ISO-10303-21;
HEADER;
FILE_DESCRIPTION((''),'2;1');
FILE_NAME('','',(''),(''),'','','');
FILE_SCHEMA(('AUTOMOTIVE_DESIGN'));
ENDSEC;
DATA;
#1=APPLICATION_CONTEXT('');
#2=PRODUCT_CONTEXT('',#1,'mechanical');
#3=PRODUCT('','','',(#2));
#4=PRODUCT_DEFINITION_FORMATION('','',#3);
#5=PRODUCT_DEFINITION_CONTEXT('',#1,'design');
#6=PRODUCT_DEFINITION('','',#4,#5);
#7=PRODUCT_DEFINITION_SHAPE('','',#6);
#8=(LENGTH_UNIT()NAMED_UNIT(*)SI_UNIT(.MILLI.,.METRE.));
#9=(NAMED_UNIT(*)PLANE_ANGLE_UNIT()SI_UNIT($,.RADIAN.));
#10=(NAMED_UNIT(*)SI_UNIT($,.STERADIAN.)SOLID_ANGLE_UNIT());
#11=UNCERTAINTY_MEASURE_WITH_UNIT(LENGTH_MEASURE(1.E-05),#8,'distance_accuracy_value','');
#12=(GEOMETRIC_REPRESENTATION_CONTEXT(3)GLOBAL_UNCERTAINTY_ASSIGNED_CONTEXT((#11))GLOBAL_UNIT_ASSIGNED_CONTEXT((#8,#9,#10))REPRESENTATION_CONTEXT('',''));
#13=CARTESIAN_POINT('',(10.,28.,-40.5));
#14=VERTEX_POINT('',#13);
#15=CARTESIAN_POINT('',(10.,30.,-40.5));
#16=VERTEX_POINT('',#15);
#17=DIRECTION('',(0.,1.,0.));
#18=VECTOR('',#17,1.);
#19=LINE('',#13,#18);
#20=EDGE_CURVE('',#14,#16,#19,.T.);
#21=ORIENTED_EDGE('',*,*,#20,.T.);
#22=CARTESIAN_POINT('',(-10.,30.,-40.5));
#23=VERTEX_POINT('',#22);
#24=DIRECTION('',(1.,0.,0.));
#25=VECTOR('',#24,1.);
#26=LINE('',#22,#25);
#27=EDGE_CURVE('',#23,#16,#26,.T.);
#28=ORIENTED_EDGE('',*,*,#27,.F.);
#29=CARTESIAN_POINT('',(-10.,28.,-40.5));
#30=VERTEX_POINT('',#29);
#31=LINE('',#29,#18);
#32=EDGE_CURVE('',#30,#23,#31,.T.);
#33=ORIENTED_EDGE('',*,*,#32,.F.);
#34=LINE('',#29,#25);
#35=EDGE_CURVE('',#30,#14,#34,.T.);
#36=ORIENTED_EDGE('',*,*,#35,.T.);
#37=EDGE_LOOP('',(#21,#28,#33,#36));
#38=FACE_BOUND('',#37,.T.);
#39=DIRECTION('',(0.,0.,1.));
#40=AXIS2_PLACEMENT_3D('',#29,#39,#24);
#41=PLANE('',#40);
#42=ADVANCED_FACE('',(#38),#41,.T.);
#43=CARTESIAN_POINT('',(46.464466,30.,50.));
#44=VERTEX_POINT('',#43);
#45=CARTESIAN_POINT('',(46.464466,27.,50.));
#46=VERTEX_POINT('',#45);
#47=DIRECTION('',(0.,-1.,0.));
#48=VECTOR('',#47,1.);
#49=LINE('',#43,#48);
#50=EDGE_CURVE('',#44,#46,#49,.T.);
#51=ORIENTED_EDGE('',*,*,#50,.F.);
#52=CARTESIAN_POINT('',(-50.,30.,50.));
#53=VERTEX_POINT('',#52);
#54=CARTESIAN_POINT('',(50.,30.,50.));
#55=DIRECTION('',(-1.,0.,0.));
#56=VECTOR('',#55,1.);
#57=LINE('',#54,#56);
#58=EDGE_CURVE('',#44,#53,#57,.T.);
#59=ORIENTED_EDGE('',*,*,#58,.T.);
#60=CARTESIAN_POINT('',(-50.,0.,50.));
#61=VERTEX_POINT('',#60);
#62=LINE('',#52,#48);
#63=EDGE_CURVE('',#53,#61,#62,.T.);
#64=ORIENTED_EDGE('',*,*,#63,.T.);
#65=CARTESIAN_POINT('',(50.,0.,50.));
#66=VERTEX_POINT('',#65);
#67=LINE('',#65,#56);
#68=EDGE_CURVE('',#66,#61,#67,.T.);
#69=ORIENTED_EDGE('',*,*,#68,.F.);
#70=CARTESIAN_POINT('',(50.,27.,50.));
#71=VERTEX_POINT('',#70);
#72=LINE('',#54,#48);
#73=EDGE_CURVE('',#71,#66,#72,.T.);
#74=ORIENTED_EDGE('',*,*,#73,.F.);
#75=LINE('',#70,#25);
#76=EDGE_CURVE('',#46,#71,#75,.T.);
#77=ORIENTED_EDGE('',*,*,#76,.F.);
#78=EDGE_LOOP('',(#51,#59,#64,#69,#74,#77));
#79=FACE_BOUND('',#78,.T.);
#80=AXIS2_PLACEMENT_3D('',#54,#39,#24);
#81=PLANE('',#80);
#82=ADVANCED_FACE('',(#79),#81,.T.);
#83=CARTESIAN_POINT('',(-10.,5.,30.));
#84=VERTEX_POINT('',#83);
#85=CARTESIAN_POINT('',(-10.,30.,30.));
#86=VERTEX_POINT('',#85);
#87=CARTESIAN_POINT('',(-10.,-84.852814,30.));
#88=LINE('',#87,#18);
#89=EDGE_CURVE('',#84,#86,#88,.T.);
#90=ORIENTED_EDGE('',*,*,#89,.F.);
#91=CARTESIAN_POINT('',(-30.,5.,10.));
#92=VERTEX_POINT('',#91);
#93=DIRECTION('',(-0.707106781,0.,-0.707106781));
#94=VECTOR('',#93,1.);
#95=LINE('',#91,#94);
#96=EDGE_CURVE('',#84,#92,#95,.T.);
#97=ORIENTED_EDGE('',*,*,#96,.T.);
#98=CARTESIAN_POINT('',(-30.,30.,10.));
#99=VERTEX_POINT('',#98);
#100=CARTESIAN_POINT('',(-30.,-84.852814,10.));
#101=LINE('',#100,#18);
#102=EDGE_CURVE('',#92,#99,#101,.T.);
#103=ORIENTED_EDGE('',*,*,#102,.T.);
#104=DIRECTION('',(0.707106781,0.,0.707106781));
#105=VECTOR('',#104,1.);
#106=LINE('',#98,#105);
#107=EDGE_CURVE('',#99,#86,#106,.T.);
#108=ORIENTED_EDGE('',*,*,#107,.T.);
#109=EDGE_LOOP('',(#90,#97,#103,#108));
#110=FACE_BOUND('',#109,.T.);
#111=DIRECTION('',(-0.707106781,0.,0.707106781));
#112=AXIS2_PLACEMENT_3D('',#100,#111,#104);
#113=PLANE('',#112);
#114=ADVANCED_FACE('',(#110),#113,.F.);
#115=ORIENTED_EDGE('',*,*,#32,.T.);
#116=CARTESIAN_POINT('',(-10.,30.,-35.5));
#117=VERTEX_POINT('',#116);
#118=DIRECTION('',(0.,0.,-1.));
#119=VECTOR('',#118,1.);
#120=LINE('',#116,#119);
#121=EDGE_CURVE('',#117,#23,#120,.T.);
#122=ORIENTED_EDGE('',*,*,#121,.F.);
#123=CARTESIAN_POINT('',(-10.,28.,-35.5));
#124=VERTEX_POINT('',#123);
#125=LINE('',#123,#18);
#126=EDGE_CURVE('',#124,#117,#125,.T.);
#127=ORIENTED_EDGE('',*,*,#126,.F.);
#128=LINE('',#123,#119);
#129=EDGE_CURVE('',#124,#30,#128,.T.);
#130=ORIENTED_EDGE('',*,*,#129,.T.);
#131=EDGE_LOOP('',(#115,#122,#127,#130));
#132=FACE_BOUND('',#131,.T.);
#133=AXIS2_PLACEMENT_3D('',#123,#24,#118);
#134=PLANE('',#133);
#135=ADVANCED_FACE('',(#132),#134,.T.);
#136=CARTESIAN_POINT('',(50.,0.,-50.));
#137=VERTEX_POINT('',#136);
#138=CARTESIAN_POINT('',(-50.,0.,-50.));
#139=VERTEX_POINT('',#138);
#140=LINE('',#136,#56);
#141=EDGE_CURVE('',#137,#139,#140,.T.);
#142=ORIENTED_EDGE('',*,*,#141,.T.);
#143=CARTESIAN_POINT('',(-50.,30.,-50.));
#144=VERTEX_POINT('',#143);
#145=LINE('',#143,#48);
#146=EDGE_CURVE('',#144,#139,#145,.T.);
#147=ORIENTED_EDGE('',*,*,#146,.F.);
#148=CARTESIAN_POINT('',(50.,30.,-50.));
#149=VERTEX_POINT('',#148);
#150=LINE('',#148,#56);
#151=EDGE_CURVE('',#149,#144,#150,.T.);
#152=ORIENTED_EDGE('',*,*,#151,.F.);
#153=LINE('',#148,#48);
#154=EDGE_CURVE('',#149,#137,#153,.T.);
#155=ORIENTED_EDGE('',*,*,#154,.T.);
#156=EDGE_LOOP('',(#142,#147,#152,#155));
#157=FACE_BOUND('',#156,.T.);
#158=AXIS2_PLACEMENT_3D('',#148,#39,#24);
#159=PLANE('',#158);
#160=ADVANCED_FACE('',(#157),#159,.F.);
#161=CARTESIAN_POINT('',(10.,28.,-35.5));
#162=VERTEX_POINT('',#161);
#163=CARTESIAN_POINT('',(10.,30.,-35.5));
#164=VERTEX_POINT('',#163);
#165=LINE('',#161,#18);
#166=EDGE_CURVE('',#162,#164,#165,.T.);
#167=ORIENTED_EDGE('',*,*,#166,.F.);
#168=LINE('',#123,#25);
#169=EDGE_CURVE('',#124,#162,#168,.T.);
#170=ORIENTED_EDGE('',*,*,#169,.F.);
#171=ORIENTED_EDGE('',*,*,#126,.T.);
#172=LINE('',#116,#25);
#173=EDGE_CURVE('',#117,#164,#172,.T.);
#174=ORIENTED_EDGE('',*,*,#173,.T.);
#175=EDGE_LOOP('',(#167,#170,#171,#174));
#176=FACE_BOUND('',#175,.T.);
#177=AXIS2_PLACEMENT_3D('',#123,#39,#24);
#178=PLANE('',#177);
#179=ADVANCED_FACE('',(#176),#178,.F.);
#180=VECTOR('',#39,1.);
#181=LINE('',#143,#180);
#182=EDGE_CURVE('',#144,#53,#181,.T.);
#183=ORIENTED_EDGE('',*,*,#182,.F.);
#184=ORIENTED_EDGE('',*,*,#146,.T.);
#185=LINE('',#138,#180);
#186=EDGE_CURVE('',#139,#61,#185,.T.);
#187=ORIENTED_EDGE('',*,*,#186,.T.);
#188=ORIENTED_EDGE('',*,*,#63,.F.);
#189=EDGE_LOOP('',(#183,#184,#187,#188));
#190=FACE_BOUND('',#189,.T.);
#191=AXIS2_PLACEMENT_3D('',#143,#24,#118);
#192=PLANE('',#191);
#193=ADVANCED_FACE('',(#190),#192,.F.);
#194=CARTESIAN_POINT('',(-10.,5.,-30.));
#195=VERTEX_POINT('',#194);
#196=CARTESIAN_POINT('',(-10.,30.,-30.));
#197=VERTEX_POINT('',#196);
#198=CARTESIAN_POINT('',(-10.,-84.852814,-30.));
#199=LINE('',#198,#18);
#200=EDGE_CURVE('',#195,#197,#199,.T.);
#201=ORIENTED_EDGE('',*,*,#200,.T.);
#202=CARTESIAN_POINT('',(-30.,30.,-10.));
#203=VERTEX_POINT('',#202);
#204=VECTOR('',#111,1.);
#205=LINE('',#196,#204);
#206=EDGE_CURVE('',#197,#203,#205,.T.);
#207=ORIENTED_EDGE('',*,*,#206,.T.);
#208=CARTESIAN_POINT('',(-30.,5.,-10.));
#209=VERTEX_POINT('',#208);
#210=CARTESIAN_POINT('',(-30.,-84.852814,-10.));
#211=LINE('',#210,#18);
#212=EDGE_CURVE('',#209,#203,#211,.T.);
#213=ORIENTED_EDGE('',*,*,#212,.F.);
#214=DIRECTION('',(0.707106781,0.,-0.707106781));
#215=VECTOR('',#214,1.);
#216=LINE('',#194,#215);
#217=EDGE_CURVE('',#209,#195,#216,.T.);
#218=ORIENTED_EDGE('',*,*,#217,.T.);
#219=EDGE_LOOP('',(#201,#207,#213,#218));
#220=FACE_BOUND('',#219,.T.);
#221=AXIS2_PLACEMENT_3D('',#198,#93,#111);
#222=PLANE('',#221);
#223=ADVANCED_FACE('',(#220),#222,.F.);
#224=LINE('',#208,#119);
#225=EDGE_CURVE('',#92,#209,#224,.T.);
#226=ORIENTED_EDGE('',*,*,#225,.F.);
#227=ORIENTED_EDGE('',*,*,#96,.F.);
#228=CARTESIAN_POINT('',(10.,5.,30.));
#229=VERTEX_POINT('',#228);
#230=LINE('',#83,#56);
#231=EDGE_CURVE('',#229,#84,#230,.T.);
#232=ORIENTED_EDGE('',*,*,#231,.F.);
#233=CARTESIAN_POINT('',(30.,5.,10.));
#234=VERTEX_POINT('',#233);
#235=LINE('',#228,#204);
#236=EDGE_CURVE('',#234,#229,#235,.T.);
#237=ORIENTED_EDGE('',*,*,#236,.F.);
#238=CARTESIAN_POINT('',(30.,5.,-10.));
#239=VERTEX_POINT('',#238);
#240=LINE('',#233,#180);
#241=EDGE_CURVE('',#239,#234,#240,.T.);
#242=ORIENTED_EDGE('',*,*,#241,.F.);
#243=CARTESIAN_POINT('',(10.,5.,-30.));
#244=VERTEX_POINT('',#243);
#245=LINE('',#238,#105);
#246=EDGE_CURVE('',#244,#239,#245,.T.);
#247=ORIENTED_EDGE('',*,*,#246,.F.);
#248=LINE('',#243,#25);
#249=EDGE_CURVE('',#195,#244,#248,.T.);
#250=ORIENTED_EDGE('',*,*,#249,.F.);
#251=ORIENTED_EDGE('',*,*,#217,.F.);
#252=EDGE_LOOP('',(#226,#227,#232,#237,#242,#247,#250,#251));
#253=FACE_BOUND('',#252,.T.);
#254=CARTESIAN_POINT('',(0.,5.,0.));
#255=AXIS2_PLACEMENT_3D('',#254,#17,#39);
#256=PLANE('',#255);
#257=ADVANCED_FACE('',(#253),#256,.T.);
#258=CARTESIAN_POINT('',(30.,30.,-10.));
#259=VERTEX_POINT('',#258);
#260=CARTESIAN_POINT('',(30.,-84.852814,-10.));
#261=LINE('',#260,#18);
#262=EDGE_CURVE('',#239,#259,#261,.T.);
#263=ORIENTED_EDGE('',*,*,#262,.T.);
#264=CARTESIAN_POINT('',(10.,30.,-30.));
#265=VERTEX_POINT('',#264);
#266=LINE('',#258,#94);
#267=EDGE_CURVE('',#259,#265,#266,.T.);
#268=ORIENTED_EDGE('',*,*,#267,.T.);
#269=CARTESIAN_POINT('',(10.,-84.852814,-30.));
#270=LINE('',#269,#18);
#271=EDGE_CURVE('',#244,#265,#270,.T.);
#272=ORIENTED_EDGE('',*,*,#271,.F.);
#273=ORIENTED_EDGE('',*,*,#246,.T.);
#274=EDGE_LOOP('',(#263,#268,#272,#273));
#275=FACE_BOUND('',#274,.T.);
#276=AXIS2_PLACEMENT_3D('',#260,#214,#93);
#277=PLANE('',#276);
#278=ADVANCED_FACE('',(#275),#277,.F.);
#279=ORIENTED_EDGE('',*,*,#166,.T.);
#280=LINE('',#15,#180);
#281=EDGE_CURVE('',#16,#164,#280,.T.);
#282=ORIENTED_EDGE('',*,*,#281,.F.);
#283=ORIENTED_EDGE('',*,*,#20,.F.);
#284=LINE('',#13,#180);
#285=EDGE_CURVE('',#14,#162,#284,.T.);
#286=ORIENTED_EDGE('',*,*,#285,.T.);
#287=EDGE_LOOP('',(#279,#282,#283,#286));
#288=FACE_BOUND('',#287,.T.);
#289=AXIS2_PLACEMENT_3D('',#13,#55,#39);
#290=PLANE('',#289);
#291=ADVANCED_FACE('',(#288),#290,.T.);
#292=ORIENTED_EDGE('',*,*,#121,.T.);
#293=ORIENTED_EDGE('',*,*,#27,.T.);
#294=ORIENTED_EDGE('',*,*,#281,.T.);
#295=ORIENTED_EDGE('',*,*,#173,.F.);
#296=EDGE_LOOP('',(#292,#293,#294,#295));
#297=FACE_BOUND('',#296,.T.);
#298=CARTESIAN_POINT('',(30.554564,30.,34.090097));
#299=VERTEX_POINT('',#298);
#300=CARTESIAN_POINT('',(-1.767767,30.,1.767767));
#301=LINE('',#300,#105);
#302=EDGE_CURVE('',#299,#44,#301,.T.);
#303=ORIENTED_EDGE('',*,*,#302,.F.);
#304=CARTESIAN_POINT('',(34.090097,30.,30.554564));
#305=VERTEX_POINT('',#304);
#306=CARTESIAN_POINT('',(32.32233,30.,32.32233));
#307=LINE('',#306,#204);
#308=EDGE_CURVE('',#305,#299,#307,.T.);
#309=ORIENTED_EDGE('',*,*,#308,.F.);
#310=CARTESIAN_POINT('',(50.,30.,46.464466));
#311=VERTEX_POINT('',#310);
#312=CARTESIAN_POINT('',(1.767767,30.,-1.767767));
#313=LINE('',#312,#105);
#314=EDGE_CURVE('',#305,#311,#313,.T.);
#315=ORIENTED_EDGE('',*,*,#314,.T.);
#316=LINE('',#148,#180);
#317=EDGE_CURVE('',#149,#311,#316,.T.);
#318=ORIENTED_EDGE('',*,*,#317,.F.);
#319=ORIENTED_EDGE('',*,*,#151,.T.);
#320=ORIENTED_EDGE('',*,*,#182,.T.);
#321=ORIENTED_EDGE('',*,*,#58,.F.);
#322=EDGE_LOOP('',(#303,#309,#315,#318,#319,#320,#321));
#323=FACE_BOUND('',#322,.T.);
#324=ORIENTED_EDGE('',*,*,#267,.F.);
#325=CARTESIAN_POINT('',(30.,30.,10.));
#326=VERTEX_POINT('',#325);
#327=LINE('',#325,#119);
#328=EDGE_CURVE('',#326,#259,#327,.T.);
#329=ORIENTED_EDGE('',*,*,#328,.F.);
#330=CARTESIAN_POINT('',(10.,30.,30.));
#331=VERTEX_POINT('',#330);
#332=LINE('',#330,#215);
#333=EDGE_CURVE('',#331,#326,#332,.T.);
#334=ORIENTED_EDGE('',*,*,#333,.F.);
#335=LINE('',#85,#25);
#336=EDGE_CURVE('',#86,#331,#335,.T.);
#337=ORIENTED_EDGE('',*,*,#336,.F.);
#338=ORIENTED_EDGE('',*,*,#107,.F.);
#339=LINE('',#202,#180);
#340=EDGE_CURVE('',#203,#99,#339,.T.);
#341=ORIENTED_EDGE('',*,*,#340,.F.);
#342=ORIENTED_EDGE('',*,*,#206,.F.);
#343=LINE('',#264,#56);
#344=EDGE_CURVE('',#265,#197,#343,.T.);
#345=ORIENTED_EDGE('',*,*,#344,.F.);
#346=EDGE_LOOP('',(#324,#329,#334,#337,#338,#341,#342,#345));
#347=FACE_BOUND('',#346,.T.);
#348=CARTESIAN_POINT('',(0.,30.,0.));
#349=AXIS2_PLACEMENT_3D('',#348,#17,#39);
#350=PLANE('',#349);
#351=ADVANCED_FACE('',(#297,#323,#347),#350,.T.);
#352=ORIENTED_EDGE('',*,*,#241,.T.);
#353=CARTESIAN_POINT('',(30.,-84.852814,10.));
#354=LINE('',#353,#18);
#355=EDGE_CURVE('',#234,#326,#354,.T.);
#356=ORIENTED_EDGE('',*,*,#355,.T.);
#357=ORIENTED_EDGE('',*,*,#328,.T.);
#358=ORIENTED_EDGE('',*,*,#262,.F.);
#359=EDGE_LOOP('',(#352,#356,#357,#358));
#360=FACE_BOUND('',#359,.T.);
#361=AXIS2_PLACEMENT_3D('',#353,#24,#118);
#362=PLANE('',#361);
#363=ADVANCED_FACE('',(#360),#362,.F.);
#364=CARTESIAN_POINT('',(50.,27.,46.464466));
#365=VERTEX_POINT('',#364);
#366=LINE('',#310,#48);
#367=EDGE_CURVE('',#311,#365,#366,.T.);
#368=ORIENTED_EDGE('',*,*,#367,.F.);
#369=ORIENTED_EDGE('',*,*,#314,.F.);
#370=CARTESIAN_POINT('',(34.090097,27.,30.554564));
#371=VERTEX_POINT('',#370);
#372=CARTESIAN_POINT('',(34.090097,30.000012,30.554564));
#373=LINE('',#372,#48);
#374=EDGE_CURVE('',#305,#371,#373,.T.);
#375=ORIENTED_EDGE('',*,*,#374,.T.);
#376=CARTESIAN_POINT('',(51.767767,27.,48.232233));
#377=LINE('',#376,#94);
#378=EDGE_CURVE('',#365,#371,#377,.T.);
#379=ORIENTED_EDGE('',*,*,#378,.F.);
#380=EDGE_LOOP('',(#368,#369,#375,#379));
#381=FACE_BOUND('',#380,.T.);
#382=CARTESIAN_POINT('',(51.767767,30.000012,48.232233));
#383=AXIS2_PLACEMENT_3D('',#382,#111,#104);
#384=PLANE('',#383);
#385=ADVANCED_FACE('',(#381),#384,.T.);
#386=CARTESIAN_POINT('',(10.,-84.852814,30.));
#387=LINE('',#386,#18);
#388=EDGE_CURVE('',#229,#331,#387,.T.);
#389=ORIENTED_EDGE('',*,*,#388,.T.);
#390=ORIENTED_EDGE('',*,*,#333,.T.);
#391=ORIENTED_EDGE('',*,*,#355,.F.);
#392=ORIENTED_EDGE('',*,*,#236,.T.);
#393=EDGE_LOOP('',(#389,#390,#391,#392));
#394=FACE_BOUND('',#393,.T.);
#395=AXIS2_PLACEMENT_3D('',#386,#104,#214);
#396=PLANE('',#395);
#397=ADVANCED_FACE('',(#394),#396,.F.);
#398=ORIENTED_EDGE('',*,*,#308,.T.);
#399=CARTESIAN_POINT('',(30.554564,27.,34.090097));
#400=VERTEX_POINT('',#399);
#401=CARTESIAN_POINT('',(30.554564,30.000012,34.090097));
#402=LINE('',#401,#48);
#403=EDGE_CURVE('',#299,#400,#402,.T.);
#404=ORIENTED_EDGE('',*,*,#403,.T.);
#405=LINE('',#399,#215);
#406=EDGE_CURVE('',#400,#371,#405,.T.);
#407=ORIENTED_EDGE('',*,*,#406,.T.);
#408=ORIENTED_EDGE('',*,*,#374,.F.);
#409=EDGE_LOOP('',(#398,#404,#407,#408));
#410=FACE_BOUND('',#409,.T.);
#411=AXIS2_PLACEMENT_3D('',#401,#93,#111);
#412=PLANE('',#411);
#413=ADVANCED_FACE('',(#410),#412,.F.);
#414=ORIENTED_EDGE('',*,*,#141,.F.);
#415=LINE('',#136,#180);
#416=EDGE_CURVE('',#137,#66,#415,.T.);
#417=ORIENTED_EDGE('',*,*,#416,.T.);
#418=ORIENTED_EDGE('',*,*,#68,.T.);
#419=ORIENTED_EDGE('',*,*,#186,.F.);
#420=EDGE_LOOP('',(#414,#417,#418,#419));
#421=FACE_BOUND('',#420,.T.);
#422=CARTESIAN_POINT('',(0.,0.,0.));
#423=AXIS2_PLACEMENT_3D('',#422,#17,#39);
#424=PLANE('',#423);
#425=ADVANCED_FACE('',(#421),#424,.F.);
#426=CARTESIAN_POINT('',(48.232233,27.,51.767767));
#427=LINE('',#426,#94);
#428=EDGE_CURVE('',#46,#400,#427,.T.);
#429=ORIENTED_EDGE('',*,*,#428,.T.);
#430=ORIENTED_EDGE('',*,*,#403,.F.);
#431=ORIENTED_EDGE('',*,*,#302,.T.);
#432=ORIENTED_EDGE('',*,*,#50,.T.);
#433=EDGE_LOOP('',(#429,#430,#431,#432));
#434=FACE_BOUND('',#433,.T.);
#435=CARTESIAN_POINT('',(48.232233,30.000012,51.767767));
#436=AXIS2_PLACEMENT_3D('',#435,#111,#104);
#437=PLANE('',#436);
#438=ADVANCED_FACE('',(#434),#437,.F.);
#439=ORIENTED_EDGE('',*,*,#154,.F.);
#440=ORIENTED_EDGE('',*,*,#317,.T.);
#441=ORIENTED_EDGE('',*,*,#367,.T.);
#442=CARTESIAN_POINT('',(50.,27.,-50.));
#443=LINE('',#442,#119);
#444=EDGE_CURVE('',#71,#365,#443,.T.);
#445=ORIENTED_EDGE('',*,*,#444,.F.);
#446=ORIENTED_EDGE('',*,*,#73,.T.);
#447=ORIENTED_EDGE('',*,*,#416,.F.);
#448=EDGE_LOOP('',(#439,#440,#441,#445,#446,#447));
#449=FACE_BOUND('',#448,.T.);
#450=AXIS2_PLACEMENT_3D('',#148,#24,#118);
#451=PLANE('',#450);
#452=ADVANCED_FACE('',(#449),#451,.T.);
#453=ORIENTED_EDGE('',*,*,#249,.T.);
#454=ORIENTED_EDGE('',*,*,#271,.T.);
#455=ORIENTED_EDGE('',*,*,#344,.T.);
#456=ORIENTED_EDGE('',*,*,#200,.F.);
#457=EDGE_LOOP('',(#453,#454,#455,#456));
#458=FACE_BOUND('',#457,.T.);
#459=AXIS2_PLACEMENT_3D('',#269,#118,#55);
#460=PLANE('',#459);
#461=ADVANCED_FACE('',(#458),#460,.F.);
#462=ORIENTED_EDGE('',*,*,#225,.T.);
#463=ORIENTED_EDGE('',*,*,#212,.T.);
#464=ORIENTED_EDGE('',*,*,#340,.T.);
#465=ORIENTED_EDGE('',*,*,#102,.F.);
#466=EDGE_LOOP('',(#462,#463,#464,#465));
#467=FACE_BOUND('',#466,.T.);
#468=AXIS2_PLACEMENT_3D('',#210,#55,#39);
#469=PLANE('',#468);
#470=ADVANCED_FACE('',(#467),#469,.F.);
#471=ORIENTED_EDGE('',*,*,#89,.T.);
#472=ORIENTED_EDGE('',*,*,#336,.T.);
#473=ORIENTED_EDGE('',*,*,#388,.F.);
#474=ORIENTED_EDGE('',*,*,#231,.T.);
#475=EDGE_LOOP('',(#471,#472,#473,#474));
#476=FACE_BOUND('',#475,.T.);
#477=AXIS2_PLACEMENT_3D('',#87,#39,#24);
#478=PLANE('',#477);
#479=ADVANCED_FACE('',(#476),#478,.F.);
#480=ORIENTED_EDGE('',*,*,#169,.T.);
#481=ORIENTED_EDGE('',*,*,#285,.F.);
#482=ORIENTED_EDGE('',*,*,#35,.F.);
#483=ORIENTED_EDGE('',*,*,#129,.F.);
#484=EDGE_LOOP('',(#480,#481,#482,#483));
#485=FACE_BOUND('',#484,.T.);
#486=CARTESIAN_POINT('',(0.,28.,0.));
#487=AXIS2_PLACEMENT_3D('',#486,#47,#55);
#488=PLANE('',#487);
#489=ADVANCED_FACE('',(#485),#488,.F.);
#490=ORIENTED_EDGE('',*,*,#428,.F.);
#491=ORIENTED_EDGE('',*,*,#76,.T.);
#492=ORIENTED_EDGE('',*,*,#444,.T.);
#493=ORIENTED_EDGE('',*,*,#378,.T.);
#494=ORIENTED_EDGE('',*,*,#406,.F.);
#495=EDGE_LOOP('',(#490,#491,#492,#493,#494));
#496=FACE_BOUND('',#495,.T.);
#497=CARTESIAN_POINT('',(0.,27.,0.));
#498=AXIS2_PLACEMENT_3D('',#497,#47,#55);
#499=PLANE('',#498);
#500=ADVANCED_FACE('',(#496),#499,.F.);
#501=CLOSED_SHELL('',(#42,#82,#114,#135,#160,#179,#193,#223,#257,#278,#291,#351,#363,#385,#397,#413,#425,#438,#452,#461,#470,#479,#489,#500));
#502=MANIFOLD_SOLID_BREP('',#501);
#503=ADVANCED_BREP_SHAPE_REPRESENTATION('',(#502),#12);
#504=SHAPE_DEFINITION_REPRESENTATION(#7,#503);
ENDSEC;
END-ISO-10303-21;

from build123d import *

# Parameters (mm, degrees)
SKETCH1_W                    = 100
SKETCH1_H                    = 100
BOSS_EXTRUDE1_DEPTH          = 30
CUT_EXTRUDE1_DEPTH           = 25
SKETCH3_W                    = 20
SKETCH3_H                    = 5
CUT_EXTRUDE_THIN1_DEPTH      = 2
CUT_EXTRUDE_THIN2_DEPTH      = 1
CUT_EXTRUDE_THIN2_DEPTH_BACK = 3


with BuildPart() as part:
    # Sketch1 → Boss-Extrude1 (new body)
    with BuildSketch(Plane(origin=(0, 0, 0), x_dir=(1, 0, 0), z_dir=(0, 1, 0))):
        Rectangle(SKETCH1_W, SKETCH1_H)
    extrude(amount=BOSS_EXTRUDE1_DEPTH)

    # Sketch2 → Cut-Extrude1 (cut)
    with BuildSketch(Plane(origin=(0, 30, 0), x_dir=(1, 0, 0), z_dir=(0, 1, 0))):
        Polygon((30, 10), (10, 30), (-10, 30), (-30, 10), (-30, -10), (-10, -30), (10, -30), (30, -10), align=None)
    extrude(amount=-CUT_EXTRUDE1_DEPTH, mode=Mode.SUBTRACT)

    # Sketch3 → Cut-Extrude-Thin1 (cut)
    with BuildSketch(Plane(origin=(0, 30, 0), x_dir=(1, 0, 0), z_dir=(0, 1, 0))):
        with Locations((0, 38)):
            Rectangle(SKETCH3_W, SKETCH3_H)
    extrude(amount=-CUT_EXTRUDE_THIN1_DEPTH, mode=Mode.SUBTRACT)

    # Sketch4 → Cut-Extrude-Thin2 (cut, two sides)
    with BuildSketch(Plane(origin=(0, 30, 0), x_dir=(1, 0, 0), z_dir=(0, 1, 0))) as cut_extrude_thin2_sk:
        Polygon((51.767766953, -48.232233047), (34.090097423, -30.554563517), (30.554563517, -34.090097423), (48.232233047, -51.767766953), align=None)
    extrude(amount=CUT_EXTRUDE_THIN2_DEPTH, mode=Mode.SUBTRACT)
    extrude(cut_extrude_thin2_sk.sketch, amount=-CUT_EXTRUDE_THIN2_DEPTH_BACK, mode=Mode.SUBTRACT)


solid = part.part
